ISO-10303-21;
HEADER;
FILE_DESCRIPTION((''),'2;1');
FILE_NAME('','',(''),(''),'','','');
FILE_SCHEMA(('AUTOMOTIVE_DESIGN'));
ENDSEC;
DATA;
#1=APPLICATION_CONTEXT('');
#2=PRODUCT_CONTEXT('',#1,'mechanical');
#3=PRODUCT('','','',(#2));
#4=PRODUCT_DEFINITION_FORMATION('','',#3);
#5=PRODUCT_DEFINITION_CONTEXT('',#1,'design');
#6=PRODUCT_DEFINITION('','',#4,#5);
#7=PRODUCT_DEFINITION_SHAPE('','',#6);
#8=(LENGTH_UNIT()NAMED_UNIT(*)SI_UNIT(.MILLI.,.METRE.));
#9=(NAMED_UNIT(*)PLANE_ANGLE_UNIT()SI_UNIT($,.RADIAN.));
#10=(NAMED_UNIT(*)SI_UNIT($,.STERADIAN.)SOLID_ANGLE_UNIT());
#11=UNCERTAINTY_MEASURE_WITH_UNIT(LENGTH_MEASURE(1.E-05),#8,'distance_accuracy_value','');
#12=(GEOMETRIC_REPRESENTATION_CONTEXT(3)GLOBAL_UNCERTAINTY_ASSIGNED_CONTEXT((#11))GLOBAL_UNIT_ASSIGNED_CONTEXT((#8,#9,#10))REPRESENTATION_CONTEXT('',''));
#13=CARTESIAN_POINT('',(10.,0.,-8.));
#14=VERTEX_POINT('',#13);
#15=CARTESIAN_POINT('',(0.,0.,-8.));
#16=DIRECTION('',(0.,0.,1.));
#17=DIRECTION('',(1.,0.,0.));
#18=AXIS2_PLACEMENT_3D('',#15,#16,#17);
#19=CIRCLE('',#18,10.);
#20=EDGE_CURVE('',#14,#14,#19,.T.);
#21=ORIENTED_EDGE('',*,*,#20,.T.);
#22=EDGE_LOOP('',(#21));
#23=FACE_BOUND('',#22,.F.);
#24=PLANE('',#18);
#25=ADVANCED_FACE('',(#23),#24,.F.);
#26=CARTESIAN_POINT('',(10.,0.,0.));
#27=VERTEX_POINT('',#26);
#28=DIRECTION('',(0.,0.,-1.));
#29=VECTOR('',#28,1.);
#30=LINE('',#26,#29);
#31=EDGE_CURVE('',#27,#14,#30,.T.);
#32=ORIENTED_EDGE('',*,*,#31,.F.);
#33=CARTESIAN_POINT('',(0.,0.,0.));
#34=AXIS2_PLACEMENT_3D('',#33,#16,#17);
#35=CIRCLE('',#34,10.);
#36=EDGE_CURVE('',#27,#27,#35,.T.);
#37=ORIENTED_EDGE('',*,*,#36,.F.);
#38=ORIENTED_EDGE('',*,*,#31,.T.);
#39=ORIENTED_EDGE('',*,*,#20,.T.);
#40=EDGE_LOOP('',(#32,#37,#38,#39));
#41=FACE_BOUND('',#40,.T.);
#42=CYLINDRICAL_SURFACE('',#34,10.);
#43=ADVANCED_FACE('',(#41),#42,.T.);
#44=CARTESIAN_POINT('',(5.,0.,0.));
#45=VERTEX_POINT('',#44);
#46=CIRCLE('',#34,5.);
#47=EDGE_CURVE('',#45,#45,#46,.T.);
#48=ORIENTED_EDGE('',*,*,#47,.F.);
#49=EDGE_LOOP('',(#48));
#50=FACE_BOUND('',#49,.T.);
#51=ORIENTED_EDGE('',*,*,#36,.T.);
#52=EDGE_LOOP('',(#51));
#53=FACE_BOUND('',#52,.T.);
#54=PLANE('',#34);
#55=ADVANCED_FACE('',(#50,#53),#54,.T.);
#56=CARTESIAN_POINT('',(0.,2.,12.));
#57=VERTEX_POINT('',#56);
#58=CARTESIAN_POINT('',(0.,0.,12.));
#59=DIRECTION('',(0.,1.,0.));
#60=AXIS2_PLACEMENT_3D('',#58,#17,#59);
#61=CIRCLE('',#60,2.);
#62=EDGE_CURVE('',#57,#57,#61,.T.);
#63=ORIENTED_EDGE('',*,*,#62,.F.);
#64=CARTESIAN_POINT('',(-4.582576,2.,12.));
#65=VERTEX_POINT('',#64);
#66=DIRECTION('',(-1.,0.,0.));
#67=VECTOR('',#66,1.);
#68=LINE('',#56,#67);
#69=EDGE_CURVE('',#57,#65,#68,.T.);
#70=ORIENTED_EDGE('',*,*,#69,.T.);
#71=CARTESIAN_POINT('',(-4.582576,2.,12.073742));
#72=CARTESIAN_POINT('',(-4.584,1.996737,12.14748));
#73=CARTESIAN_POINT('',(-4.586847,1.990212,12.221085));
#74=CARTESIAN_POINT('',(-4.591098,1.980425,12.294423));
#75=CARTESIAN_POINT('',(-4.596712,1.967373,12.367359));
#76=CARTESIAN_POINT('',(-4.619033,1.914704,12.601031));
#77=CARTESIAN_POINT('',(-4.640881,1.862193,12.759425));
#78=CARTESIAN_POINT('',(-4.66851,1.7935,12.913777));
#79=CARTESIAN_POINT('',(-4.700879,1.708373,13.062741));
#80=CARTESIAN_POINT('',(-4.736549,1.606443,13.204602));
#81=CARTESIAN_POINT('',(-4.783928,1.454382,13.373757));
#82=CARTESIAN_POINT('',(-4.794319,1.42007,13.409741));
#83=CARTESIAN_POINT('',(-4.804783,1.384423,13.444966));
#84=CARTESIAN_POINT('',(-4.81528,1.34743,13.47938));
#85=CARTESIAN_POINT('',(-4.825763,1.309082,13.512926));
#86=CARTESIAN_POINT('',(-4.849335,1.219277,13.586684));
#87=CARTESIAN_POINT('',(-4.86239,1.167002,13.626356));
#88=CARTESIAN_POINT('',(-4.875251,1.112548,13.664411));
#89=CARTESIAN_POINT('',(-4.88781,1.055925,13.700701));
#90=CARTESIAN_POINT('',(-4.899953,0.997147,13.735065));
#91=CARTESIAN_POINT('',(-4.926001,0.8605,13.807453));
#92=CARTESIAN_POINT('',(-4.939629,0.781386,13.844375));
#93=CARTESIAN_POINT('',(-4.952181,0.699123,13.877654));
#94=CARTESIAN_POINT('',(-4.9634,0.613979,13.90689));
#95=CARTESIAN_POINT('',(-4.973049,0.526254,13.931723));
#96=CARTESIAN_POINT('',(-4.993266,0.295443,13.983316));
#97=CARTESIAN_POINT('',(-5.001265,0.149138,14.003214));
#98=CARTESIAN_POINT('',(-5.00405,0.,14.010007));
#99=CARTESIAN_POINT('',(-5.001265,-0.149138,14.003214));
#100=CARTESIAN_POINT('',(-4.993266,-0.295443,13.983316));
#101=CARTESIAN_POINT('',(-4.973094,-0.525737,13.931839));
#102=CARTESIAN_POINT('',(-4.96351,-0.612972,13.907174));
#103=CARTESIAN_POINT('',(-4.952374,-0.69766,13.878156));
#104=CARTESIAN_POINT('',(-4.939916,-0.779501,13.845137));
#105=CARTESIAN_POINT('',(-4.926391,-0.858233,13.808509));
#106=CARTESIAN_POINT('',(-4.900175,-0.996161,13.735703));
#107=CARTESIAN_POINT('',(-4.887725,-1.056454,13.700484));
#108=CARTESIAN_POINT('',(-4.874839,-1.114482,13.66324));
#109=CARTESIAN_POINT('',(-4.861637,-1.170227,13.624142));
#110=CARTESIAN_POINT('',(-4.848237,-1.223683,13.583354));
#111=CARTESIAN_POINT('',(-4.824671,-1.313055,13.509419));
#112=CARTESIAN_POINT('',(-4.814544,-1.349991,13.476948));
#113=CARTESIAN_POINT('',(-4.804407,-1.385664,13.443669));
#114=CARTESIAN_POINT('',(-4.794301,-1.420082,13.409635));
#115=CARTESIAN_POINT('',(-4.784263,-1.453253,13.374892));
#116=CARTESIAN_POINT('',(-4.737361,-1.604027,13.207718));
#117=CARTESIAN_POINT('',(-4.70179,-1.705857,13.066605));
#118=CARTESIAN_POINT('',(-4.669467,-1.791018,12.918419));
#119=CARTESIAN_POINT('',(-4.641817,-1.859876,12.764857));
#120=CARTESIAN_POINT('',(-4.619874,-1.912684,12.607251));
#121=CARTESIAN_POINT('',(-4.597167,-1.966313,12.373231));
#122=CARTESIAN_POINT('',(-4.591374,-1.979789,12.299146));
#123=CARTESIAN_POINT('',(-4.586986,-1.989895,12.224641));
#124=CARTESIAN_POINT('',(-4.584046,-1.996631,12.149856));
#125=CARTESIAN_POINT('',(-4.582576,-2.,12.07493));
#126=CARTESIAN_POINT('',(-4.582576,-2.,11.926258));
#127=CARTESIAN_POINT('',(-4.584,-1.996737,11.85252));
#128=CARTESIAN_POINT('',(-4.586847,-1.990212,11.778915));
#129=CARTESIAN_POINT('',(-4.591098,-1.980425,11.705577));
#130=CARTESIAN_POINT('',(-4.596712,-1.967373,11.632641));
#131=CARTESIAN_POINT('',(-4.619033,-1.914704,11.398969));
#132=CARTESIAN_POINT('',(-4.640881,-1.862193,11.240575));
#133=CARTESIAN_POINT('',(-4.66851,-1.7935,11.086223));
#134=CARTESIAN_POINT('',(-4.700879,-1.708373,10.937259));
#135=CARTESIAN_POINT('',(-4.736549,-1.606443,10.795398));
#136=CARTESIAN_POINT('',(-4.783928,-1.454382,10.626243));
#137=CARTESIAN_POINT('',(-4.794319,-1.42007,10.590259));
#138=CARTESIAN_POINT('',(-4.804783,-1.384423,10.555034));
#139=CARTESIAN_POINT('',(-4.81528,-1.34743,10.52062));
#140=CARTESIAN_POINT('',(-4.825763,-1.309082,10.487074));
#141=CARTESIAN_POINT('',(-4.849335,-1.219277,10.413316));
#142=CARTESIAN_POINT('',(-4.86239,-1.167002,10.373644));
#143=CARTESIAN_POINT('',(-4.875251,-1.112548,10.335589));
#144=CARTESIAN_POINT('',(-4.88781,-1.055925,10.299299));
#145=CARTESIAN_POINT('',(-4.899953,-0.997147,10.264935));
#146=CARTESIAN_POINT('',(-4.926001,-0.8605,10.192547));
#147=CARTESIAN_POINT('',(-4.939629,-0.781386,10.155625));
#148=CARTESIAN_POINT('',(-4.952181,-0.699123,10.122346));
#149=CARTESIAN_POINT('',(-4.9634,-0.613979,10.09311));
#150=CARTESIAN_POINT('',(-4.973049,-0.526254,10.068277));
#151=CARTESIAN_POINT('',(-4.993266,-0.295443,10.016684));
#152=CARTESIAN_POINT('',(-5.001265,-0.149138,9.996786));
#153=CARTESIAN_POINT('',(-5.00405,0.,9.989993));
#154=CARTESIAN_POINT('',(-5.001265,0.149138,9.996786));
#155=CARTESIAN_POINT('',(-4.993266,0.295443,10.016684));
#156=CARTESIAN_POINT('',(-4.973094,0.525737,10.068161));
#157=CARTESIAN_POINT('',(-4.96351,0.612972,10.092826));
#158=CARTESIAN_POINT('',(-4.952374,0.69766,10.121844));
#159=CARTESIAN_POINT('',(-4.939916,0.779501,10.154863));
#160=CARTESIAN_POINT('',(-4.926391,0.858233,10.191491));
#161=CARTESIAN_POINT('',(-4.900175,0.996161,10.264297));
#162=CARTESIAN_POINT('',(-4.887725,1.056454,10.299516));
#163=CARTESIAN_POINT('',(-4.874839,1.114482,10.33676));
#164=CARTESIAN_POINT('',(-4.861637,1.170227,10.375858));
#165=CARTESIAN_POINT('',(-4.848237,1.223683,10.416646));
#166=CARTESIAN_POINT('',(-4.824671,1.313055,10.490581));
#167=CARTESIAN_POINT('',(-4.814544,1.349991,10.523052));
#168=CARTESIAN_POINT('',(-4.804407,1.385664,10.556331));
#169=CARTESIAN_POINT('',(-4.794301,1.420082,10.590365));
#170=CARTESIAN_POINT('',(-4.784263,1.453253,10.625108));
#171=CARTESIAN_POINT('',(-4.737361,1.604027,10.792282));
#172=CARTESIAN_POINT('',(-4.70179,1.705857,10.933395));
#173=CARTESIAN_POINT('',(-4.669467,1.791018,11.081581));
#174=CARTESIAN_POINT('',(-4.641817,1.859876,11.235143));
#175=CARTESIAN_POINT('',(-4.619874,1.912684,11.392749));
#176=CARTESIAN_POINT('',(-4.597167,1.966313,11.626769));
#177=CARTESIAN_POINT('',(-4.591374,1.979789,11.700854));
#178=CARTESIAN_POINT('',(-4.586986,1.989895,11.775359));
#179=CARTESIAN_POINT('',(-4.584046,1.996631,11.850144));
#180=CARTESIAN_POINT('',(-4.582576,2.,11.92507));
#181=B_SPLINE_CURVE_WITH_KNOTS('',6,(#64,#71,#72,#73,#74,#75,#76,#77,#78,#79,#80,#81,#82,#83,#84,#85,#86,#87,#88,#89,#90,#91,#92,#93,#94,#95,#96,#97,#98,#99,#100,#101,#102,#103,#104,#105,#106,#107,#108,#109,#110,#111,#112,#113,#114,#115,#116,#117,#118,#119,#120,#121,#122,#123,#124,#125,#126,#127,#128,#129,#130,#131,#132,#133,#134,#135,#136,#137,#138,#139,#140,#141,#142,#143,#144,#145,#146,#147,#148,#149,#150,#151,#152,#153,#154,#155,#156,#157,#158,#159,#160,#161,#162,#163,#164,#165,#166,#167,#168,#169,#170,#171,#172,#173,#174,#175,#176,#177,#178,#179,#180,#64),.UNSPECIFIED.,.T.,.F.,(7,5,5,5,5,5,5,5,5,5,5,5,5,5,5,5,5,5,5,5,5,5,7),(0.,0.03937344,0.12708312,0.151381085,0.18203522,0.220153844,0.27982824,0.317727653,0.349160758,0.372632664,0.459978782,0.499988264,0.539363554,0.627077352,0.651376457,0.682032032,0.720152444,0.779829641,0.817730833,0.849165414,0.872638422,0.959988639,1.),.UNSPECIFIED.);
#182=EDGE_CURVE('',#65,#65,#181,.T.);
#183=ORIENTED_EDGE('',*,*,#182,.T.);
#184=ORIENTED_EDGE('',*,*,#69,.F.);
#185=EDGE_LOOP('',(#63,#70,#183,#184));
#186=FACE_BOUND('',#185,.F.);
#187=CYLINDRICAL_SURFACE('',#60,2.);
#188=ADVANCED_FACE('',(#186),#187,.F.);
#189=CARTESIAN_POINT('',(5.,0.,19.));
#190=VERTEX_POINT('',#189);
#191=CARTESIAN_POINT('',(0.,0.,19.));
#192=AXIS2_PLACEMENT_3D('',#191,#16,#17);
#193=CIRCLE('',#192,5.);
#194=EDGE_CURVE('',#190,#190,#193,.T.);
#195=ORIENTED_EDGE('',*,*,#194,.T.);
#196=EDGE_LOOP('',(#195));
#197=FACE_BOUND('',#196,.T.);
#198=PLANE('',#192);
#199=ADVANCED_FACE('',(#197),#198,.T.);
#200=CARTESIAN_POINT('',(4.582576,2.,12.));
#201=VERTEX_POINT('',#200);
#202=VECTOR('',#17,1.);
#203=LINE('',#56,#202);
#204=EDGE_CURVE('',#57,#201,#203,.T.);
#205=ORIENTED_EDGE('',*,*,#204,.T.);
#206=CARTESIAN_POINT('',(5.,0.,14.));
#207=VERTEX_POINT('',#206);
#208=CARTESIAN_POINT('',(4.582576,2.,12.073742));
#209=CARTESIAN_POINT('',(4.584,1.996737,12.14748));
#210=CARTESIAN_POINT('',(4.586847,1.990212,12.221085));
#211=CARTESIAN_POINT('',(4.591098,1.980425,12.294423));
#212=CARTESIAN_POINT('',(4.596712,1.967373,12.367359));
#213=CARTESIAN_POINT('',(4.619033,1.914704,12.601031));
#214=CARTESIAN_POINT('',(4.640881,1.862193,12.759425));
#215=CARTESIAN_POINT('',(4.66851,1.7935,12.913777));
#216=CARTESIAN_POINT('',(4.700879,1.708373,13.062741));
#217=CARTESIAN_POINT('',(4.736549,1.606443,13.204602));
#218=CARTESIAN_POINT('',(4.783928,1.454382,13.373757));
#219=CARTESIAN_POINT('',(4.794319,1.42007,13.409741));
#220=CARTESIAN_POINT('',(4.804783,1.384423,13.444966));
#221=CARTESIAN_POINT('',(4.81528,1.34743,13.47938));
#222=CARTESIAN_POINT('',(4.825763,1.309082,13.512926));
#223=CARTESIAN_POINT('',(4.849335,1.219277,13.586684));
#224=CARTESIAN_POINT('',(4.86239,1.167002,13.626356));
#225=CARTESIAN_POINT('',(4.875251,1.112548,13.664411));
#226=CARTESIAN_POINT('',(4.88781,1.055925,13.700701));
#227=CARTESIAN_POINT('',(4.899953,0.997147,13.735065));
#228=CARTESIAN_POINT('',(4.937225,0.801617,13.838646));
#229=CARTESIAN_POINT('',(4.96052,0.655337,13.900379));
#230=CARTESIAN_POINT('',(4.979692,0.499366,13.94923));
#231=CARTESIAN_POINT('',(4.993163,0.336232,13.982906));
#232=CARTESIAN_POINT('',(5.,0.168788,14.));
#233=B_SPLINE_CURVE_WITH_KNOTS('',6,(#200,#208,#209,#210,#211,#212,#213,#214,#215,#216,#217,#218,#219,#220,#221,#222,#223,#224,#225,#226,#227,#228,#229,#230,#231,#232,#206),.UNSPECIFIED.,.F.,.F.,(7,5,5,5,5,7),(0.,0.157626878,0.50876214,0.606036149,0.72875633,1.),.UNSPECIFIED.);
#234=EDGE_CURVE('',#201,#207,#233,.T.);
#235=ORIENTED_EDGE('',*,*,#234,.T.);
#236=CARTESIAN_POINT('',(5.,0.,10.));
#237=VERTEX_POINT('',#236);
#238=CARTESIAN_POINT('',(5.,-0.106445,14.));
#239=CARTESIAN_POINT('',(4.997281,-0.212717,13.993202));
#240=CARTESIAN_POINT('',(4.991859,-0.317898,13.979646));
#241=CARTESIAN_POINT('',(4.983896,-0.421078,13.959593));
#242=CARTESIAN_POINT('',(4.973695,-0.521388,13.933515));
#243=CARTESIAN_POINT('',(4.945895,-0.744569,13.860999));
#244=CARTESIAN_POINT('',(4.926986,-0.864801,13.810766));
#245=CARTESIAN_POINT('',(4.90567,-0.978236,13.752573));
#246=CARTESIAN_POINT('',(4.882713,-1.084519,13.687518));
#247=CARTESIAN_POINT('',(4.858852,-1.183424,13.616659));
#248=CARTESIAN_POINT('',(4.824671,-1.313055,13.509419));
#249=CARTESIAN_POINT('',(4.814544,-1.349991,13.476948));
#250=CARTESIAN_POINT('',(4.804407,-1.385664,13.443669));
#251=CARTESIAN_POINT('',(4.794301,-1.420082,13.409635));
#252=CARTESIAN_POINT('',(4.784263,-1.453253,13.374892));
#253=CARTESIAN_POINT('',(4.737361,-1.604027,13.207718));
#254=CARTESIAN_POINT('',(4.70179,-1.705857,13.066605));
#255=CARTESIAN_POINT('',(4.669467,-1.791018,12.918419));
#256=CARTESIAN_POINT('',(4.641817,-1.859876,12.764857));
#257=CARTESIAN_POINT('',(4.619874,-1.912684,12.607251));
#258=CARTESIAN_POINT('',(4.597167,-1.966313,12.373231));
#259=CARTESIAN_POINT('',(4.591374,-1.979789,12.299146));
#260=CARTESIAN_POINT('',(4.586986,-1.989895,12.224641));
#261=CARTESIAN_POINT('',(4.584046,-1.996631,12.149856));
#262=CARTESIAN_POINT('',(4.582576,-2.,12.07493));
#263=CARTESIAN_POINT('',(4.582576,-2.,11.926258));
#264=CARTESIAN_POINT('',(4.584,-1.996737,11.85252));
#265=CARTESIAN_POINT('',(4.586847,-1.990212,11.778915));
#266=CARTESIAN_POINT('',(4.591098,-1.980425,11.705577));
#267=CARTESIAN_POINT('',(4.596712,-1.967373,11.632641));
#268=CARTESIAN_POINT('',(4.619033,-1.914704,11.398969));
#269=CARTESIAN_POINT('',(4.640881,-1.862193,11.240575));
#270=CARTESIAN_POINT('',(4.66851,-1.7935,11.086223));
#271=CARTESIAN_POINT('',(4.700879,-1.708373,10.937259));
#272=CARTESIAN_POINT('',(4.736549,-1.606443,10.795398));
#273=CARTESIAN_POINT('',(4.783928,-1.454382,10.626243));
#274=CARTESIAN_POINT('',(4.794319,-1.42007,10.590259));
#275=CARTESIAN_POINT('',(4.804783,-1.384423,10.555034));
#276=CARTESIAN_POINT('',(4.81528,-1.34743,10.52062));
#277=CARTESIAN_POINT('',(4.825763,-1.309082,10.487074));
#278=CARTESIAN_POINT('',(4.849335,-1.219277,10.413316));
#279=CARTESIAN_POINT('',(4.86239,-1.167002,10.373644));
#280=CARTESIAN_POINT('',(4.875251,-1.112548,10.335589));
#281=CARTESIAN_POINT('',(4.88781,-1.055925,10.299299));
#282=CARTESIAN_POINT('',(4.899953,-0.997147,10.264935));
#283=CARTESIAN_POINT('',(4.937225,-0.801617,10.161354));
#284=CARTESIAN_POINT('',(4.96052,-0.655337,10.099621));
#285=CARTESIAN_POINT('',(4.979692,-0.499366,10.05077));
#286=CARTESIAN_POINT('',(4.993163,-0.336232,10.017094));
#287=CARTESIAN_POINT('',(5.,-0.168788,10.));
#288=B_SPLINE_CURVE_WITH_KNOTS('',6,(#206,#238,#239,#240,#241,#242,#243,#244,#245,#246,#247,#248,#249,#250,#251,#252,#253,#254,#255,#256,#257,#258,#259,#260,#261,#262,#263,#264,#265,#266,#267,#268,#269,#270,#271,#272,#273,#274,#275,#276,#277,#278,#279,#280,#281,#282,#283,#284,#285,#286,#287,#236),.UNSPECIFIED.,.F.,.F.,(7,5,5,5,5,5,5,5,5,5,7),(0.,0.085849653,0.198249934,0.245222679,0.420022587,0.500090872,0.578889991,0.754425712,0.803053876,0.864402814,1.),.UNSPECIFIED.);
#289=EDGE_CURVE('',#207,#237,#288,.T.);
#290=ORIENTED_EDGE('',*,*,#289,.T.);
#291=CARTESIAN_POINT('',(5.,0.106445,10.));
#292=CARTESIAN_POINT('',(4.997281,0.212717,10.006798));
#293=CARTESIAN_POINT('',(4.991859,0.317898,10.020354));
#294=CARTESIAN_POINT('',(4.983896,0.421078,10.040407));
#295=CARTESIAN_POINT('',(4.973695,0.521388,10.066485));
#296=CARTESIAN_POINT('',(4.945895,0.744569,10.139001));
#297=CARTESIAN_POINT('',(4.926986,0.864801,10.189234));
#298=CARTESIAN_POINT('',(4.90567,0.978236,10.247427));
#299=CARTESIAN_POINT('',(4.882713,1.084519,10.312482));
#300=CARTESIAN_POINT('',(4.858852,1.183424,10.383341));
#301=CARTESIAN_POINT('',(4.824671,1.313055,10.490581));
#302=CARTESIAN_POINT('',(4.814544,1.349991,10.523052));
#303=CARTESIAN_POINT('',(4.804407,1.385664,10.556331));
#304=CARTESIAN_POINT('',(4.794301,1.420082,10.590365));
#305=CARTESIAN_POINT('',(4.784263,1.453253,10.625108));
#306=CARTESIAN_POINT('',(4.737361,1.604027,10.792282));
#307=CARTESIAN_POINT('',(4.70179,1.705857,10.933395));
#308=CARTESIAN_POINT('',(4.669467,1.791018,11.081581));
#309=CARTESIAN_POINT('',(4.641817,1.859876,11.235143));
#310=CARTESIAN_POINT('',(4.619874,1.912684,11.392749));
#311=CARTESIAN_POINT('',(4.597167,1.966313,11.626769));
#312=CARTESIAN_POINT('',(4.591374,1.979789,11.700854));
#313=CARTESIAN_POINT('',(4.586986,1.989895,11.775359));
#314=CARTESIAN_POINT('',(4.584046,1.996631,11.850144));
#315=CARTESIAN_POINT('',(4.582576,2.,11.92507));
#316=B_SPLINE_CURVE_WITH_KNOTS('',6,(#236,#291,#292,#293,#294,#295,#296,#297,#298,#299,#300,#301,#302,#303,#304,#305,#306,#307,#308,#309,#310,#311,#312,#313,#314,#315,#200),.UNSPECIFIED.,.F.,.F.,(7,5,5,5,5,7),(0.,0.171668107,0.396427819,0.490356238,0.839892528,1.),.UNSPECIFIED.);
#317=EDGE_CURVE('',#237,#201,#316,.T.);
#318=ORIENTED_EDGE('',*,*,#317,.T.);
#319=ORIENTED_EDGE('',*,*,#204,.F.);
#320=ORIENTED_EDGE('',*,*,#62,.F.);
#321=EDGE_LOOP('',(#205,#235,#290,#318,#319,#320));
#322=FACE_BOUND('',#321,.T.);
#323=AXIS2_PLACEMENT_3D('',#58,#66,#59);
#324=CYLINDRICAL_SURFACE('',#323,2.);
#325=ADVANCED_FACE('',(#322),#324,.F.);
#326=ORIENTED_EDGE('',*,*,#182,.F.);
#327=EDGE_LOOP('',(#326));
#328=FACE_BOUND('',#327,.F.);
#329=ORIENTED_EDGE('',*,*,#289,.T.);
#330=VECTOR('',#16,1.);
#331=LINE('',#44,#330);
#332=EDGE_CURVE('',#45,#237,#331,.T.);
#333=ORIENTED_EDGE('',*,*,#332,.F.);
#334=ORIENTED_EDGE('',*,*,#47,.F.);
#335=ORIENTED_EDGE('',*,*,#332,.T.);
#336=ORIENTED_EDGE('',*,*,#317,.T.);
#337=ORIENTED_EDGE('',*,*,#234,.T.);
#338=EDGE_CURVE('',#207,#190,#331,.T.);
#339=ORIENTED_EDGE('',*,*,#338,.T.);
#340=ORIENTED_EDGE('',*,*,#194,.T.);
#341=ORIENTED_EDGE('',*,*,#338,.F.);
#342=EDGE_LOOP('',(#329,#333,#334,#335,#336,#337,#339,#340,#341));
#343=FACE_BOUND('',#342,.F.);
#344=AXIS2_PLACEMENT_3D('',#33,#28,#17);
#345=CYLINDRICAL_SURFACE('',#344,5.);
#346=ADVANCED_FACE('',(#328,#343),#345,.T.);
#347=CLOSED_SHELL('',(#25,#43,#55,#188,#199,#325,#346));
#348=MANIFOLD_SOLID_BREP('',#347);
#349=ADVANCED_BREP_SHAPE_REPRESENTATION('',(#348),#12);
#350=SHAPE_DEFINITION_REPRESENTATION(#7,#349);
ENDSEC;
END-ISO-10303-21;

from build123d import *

# Parameters (mm, degrees)
SKETCH009_R          = 10
PAD007_DEPTH         = 8
SKETCH010_R          = 5
PAD008_DEPTH         = 19
SKETCH011_R          = 2
POCKET001_DEPTH      = 10.001
POCKET001_DEPTH_BACK = 10.001


with BuildPart() as part:
    # Sketch009 → Pad007 (new body)
    with BuildSketch(Plane.XY):
        Circle(SKETCH009_R)
    extrude(amount=-PAD007_DEPTH)

    # Sketch010 → Pad008 (join)
    with BuildSketch(Plane.XY):
        Circle(SKETCH010_R)
    extrude(amount=PAD008_DEPTH)

    # Sketch011 → Pocket001 (cut, two sides)
    with BuildSketch(Plane.YZ) as pocket001_sk:
        with Locations((0, 12)):
            Circle(SKETCH011_R)
    extrude(amount=-POCKET001_DEPTH, mode=Mode.SUBTRACT)
    extrude(pocket001_sk.sketch, amount=POCKET001_DEPTH_BACK, mode=Mode.SUBTRACT)


solid = part.part
